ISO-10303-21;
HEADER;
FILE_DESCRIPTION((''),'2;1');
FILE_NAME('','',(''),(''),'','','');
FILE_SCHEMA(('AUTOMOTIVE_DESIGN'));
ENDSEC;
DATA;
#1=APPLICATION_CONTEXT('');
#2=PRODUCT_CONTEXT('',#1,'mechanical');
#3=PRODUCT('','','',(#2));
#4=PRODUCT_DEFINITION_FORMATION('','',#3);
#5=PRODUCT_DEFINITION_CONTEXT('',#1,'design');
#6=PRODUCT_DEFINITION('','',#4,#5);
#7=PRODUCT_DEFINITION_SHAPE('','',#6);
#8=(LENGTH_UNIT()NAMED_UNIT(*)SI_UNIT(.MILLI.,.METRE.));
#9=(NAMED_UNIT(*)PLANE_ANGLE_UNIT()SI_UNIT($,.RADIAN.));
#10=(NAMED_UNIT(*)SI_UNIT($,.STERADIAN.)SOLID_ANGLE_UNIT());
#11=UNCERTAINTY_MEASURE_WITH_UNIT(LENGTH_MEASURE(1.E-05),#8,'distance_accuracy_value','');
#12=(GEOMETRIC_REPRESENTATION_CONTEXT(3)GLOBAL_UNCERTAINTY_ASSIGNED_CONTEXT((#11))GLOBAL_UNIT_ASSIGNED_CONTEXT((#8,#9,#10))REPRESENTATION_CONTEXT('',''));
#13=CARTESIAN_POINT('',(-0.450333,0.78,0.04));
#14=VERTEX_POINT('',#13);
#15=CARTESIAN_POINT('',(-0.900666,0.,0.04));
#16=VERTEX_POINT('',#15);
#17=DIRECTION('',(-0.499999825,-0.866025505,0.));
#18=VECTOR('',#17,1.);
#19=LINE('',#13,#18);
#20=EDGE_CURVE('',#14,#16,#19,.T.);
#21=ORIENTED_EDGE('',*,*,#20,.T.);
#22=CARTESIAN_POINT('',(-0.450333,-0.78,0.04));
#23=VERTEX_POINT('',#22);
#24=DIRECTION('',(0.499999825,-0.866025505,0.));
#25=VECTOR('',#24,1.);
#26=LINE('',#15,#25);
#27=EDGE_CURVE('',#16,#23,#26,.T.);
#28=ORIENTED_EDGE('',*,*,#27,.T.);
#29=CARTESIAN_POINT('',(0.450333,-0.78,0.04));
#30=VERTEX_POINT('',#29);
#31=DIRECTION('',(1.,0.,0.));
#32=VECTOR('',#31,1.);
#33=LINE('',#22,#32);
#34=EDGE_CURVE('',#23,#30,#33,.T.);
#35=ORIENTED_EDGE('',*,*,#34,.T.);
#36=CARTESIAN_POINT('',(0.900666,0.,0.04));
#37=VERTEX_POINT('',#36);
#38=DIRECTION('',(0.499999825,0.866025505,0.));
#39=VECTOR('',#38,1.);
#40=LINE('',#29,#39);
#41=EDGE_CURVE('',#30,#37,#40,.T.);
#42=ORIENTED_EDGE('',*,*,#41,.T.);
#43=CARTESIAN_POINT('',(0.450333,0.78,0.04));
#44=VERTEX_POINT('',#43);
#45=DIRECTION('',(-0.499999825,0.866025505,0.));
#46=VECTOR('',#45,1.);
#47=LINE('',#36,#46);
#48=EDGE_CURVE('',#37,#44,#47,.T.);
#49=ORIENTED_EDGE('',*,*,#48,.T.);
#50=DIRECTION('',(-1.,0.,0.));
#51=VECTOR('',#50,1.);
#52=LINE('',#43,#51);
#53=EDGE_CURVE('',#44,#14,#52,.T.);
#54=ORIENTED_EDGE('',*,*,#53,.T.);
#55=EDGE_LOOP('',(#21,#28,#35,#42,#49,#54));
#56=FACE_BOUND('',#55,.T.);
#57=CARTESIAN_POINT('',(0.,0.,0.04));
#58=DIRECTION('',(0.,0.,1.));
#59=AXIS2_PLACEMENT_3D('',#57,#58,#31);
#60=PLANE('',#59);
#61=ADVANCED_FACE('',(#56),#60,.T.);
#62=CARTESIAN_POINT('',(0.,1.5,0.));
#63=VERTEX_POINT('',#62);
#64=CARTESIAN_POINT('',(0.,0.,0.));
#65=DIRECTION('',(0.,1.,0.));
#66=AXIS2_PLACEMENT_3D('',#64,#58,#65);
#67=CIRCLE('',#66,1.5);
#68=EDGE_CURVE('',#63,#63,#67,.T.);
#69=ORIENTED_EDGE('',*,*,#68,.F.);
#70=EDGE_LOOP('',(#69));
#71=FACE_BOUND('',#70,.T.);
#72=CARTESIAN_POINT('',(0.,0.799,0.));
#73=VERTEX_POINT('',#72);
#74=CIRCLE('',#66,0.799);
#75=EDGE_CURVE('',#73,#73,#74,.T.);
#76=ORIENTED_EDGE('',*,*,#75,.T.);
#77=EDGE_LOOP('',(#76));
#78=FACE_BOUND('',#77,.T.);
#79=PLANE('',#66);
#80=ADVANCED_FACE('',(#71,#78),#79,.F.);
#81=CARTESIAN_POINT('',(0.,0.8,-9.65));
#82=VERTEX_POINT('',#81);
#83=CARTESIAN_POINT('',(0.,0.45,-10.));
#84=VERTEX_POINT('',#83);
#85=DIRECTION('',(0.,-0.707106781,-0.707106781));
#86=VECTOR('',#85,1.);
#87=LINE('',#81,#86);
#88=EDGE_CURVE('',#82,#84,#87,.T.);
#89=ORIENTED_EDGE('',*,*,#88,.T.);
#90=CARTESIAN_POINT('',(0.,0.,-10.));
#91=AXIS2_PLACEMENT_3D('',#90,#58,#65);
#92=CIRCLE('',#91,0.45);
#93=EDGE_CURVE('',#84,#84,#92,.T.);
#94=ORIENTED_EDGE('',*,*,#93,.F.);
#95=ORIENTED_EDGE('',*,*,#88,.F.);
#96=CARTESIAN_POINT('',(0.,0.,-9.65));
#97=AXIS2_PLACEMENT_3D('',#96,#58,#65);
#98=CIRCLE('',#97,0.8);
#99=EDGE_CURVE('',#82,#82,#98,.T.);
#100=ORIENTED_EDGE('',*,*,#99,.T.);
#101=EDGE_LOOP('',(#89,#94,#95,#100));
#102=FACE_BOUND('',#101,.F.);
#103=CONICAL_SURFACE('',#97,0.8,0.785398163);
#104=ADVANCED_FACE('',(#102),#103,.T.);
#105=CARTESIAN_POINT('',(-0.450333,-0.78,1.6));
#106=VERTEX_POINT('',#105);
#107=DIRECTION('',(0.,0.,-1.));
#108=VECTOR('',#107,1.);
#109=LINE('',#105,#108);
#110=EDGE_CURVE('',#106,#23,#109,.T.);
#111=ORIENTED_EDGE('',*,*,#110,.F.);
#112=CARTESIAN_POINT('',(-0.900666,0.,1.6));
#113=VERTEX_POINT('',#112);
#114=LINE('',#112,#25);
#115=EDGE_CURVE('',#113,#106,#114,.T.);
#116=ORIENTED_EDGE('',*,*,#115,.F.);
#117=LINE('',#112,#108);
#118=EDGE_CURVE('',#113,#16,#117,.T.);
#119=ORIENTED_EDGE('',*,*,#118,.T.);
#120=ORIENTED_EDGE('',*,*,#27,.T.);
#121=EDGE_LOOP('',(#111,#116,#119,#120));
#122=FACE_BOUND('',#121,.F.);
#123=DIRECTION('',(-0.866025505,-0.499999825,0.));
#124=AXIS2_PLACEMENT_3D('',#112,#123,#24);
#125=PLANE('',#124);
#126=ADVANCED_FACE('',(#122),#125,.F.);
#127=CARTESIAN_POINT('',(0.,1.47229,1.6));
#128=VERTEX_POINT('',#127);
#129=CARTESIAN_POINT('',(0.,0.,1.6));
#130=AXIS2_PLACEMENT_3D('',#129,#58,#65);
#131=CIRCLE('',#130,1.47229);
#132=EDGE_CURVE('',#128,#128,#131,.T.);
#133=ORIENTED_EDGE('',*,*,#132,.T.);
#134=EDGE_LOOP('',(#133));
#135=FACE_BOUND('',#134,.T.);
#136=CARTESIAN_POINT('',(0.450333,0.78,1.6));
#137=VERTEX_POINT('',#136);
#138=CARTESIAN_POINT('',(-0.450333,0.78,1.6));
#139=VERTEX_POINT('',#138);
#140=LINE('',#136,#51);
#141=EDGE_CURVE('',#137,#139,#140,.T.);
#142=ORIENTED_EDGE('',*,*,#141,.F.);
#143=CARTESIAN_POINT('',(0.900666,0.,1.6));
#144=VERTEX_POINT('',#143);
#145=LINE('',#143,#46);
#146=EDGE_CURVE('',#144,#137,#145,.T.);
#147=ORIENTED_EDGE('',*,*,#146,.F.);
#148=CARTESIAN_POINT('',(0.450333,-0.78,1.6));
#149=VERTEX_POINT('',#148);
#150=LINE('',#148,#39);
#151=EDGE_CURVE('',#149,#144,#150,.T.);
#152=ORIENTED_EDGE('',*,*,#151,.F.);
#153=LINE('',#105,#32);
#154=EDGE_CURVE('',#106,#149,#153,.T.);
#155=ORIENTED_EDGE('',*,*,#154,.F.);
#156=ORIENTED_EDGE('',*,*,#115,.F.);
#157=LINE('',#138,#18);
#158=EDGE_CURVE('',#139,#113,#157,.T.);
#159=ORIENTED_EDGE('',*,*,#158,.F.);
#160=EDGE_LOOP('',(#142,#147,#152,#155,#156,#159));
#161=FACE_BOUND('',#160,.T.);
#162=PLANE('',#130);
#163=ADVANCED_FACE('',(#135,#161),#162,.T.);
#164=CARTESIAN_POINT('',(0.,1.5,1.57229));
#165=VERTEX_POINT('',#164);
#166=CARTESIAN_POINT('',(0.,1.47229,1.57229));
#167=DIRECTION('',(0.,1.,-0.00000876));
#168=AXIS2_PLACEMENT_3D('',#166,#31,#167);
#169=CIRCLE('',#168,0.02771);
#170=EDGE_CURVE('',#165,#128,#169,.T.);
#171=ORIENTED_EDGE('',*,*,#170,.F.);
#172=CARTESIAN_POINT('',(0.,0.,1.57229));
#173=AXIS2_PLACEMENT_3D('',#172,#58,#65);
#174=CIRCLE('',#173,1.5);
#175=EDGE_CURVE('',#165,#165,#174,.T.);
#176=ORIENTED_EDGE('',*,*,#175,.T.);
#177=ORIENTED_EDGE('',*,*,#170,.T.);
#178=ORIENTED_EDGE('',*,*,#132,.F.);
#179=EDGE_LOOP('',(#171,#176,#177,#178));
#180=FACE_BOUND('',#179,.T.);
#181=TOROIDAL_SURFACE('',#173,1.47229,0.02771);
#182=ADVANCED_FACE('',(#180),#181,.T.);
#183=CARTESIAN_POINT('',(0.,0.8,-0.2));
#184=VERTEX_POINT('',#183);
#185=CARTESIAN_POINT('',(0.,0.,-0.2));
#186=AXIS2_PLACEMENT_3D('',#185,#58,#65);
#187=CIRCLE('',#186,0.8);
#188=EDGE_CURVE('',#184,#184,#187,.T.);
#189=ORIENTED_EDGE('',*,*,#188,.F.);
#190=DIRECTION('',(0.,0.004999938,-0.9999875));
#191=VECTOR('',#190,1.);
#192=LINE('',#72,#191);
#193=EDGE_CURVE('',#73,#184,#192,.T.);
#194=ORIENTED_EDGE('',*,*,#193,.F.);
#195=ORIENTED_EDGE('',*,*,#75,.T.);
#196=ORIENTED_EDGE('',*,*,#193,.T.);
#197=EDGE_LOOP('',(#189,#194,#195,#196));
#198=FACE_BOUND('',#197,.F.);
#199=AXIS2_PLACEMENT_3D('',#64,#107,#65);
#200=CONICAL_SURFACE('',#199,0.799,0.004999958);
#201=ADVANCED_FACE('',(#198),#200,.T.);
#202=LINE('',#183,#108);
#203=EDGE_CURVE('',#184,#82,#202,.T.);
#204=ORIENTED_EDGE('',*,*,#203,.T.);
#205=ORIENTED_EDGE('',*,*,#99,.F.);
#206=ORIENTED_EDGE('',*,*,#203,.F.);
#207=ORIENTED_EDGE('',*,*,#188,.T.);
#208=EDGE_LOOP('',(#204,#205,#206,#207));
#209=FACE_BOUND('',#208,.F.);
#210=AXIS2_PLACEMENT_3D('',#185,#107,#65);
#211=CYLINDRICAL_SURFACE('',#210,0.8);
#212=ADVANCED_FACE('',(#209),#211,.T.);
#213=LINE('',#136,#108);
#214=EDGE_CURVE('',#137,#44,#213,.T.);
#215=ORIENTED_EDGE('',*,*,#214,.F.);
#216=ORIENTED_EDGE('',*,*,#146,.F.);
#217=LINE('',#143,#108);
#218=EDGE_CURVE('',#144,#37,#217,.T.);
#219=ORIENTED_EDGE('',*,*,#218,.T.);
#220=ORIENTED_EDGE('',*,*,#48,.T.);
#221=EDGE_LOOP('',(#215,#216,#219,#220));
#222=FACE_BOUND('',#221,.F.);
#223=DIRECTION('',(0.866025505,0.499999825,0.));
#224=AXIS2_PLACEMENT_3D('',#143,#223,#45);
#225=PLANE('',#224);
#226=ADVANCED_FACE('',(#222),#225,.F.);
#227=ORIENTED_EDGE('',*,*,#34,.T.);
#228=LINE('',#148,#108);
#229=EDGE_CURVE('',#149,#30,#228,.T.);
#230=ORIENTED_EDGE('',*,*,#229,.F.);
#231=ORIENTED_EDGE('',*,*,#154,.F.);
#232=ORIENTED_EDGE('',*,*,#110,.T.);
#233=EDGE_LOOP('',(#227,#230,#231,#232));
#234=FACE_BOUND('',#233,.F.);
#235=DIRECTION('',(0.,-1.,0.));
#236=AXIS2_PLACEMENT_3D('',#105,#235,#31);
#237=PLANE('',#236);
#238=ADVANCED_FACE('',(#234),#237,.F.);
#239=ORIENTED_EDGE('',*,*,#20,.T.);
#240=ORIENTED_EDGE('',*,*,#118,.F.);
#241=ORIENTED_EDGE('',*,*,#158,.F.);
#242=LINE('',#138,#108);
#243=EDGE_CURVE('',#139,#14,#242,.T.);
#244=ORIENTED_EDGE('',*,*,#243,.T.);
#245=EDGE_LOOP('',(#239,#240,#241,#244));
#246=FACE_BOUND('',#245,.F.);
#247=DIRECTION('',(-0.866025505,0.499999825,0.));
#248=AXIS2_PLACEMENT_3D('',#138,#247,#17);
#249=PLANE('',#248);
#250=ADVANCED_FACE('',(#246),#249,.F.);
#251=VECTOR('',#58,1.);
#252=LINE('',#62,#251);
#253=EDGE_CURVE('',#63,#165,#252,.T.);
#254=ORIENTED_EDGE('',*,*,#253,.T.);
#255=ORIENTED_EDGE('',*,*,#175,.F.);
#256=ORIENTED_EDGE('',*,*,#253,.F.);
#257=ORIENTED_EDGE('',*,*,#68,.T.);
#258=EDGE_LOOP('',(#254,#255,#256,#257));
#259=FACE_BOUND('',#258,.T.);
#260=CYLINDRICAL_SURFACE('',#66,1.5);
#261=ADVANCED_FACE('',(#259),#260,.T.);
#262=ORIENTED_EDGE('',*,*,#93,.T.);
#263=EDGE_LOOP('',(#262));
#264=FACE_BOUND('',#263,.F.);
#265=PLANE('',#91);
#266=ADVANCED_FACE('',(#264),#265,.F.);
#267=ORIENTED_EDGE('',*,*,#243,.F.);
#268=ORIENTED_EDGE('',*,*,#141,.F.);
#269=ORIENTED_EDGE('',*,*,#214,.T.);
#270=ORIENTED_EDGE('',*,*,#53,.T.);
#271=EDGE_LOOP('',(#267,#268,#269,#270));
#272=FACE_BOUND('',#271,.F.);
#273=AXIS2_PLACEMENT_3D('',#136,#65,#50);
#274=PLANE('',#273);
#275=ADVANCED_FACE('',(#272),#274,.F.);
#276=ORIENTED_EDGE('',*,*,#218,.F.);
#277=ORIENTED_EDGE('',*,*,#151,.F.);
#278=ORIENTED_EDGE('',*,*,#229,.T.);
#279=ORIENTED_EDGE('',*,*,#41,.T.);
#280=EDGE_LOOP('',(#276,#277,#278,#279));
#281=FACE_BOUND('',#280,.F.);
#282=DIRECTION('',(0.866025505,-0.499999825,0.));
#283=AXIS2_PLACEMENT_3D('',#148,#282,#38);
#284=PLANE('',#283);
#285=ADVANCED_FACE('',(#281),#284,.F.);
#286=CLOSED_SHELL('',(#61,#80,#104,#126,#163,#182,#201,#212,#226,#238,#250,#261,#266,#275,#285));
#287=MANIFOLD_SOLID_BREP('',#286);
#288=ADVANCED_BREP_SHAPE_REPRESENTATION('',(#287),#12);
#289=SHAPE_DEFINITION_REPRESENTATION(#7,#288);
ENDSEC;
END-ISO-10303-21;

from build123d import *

# Parameters (mm, degrees)
POCKET_DEPTH = 1.56


with BuildPart() as part:
    # Sketch → Revolve (revolve)
    with BuildSketch(Plane.YZ):
        with BuildLine():
            Line((0.799, 0), (1.5, 0))
            Line((1.5, 0), (1.5, 1.57229))
            ThreePointArc((1.5, 1.57229), (1.491884, 1.591884), (1.47229, 1.6))
            Line((1.47229, 1.6), (0, 1.6))
            Line((0, -10), (0, 1.6))
            Line((0.45, -10), (0, -10))
            Line((0.8, -9.65), (0.45, -10))
            Line((0.8, -0.2), (0.8, -9.65))
            Line((0.799, 0), (0.8, -0.2))
        make_face()
    revolve(axis=Axis((0, 0, 0), (0, 0, 1)))

    # Sketch001 → Pocket (cut)
    with BuildSketch(Plane.XY.offset(1.6)):
        Polygon((0.900666, 0), (0.450333, 0.78), (-0.450333, 0.78), (-0.900666, 0), (-0.450333, -0.78), (0.450333, -0.78), align=None)
    extrude(amount=-POCKET_DEPTH, mode=Mode.SUBTRACT)


solid = part.part
